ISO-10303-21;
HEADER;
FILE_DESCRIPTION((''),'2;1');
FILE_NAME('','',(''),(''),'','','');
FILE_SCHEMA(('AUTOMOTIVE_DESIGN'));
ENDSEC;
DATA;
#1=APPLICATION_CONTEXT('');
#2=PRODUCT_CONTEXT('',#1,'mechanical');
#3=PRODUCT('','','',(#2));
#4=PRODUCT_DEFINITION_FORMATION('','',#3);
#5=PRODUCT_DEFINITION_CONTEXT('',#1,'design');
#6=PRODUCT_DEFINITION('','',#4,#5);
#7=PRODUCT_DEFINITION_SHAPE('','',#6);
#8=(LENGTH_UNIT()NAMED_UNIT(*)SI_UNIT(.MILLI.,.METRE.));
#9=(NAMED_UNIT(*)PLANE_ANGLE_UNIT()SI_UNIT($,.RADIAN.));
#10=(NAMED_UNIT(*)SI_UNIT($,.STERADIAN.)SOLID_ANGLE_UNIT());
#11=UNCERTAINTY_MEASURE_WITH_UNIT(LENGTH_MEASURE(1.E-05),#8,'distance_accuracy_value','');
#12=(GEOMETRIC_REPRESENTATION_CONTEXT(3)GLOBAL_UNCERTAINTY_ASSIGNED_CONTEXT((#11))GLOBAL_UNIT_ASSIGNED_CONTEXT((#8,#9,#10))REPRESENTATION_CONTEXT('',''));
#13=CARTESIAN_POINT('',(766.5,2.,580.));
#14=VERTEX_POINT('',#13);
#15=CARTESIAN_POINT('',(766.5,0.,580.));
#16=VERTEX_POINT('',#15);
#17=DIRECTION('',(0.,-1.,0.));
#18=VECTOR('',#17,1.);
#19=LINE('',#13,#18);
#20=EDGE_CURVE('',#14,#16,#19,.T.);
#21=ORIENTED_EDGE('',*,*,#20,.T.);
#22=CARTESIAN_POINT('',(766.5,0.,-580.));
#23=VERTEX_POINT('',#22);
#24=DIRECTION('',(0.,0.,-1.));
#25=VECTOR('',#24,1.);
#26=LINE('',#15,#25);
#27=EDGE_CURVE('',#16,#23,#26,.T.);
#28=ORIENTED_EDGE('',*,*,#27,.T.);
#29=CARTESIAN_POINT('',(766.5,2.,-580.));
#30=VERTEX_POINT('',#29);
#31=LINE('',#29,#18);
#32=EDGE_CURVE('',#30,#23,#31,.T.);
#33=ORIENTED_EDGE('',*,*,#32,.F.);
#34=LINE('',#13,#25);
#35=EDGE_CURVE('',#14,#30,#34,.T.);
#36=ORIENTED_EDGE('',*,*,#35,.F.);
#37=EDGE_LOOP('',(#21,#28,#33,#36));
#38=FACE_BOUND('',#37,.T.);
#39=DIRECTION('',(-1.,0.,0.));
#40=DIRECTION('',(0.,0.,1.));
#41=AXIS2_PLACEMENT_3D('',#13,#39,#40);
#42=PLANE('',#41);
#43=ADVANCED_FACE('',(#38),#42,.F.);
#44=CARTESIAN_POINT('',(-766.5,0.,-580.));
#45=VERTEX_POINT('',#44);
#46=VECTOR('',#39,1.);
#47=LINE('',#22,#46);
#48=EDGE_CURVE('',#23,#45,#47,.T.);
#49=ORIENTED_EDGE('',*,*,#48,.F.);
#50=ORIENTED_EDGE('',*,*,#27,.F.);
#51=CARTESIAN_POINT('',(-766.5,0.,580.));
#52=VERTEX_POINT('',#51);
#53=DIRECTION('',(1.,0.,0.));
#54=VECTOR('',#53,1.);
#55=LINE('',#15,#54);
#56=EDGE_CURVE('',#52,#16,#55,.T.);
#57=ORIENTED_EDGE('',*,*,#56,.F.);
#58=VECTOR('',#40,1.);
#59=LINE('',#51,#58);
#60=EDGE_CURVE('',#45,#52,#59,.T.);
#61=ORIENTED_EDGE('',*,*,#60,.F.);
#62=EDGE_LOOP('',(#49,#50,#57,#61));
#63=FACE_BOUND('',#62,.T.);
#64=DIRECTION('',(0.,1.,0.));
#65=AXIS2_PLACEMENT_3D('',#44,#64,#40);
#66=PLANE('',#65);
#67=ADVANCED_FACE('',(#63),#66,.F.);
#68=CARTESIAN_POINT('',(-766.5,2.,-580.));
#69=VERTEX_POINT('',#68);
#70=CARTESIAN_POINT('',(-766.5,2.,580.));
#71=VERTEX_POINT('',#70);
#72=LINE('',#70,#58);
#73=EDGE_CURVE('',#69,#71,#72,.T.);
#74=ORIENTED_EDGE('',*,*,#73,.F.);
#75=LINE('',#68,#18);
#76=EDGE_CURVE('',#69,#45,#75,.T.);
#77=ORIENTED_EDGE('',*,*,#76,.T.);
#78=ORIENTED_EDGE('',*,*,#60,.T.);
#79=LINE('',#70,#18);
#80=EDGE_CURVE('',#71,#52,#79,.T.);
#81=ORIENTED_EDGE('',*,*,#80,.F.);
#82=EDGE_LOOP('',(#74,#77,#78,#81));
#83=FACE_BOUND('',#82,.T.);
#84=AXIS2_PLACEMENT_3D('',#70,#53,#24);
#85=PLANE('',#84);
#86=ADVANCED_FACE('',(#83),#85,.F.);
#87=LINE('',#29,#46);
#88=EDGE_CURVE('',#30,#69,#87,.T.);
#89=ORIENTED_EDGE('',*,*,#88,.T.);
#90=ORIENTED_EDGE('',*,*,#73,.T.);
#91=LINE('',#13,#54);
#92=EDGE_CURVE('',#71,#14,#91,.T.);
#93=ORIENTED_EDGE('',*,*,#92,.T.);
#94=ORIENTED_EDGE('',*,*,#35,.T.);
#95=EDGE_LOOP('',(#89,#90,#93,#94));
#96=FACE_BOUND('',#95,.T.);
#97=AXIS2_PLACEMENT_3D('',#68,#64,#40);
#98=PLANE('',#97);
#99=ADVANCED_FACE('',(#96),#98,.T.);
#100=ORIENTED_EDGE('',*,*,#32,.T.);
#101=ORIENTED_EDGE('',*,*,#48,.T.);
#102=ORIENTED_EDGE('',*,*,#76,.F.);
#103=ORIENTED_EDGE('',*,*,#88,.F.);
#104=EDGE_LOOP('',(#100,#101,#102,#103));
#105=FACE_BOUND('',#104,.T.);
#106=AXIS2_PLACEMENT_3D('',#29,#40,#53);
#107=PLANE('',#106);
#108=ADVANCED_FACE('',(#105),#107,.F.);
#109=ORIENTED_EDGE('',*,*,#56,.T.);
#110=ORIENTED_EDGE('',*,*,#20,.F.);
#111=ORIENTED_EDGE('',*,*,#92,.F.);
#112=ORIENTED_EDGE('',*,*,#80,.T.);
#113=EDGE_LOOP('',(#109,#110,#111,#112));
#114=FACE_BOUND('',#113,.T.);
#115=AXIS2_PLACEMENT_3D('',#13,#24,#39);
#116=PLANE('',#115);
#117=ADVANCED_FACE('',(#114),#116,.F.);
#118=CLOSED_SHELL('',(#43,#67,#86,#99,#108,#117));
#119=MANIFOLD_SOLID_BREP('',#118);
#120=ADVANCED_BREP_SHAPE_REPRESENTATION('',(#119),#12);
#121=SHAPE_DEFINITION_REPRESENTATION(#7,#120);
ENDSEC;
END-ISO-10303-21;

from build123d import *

# Parameters (mm, degrees)
CROQUIS1_W     = 1533
CROQUIS1_H     = 1160
EXTRUIR1_DEPTH = 2


with BuildPart() as part:
    # Croquis1 → Extruir1 (new body)
    with BuildSketch(Plane(origin=(0, 0, 0), x_dir=(1, 0, 0), z_dir=(0, 1, 0))):
        Rectangle(CROQUIS1_W, CROQUIS1_H)
    extrude(amount=EXTRUIR1_DEPTH)


solid = part.part
